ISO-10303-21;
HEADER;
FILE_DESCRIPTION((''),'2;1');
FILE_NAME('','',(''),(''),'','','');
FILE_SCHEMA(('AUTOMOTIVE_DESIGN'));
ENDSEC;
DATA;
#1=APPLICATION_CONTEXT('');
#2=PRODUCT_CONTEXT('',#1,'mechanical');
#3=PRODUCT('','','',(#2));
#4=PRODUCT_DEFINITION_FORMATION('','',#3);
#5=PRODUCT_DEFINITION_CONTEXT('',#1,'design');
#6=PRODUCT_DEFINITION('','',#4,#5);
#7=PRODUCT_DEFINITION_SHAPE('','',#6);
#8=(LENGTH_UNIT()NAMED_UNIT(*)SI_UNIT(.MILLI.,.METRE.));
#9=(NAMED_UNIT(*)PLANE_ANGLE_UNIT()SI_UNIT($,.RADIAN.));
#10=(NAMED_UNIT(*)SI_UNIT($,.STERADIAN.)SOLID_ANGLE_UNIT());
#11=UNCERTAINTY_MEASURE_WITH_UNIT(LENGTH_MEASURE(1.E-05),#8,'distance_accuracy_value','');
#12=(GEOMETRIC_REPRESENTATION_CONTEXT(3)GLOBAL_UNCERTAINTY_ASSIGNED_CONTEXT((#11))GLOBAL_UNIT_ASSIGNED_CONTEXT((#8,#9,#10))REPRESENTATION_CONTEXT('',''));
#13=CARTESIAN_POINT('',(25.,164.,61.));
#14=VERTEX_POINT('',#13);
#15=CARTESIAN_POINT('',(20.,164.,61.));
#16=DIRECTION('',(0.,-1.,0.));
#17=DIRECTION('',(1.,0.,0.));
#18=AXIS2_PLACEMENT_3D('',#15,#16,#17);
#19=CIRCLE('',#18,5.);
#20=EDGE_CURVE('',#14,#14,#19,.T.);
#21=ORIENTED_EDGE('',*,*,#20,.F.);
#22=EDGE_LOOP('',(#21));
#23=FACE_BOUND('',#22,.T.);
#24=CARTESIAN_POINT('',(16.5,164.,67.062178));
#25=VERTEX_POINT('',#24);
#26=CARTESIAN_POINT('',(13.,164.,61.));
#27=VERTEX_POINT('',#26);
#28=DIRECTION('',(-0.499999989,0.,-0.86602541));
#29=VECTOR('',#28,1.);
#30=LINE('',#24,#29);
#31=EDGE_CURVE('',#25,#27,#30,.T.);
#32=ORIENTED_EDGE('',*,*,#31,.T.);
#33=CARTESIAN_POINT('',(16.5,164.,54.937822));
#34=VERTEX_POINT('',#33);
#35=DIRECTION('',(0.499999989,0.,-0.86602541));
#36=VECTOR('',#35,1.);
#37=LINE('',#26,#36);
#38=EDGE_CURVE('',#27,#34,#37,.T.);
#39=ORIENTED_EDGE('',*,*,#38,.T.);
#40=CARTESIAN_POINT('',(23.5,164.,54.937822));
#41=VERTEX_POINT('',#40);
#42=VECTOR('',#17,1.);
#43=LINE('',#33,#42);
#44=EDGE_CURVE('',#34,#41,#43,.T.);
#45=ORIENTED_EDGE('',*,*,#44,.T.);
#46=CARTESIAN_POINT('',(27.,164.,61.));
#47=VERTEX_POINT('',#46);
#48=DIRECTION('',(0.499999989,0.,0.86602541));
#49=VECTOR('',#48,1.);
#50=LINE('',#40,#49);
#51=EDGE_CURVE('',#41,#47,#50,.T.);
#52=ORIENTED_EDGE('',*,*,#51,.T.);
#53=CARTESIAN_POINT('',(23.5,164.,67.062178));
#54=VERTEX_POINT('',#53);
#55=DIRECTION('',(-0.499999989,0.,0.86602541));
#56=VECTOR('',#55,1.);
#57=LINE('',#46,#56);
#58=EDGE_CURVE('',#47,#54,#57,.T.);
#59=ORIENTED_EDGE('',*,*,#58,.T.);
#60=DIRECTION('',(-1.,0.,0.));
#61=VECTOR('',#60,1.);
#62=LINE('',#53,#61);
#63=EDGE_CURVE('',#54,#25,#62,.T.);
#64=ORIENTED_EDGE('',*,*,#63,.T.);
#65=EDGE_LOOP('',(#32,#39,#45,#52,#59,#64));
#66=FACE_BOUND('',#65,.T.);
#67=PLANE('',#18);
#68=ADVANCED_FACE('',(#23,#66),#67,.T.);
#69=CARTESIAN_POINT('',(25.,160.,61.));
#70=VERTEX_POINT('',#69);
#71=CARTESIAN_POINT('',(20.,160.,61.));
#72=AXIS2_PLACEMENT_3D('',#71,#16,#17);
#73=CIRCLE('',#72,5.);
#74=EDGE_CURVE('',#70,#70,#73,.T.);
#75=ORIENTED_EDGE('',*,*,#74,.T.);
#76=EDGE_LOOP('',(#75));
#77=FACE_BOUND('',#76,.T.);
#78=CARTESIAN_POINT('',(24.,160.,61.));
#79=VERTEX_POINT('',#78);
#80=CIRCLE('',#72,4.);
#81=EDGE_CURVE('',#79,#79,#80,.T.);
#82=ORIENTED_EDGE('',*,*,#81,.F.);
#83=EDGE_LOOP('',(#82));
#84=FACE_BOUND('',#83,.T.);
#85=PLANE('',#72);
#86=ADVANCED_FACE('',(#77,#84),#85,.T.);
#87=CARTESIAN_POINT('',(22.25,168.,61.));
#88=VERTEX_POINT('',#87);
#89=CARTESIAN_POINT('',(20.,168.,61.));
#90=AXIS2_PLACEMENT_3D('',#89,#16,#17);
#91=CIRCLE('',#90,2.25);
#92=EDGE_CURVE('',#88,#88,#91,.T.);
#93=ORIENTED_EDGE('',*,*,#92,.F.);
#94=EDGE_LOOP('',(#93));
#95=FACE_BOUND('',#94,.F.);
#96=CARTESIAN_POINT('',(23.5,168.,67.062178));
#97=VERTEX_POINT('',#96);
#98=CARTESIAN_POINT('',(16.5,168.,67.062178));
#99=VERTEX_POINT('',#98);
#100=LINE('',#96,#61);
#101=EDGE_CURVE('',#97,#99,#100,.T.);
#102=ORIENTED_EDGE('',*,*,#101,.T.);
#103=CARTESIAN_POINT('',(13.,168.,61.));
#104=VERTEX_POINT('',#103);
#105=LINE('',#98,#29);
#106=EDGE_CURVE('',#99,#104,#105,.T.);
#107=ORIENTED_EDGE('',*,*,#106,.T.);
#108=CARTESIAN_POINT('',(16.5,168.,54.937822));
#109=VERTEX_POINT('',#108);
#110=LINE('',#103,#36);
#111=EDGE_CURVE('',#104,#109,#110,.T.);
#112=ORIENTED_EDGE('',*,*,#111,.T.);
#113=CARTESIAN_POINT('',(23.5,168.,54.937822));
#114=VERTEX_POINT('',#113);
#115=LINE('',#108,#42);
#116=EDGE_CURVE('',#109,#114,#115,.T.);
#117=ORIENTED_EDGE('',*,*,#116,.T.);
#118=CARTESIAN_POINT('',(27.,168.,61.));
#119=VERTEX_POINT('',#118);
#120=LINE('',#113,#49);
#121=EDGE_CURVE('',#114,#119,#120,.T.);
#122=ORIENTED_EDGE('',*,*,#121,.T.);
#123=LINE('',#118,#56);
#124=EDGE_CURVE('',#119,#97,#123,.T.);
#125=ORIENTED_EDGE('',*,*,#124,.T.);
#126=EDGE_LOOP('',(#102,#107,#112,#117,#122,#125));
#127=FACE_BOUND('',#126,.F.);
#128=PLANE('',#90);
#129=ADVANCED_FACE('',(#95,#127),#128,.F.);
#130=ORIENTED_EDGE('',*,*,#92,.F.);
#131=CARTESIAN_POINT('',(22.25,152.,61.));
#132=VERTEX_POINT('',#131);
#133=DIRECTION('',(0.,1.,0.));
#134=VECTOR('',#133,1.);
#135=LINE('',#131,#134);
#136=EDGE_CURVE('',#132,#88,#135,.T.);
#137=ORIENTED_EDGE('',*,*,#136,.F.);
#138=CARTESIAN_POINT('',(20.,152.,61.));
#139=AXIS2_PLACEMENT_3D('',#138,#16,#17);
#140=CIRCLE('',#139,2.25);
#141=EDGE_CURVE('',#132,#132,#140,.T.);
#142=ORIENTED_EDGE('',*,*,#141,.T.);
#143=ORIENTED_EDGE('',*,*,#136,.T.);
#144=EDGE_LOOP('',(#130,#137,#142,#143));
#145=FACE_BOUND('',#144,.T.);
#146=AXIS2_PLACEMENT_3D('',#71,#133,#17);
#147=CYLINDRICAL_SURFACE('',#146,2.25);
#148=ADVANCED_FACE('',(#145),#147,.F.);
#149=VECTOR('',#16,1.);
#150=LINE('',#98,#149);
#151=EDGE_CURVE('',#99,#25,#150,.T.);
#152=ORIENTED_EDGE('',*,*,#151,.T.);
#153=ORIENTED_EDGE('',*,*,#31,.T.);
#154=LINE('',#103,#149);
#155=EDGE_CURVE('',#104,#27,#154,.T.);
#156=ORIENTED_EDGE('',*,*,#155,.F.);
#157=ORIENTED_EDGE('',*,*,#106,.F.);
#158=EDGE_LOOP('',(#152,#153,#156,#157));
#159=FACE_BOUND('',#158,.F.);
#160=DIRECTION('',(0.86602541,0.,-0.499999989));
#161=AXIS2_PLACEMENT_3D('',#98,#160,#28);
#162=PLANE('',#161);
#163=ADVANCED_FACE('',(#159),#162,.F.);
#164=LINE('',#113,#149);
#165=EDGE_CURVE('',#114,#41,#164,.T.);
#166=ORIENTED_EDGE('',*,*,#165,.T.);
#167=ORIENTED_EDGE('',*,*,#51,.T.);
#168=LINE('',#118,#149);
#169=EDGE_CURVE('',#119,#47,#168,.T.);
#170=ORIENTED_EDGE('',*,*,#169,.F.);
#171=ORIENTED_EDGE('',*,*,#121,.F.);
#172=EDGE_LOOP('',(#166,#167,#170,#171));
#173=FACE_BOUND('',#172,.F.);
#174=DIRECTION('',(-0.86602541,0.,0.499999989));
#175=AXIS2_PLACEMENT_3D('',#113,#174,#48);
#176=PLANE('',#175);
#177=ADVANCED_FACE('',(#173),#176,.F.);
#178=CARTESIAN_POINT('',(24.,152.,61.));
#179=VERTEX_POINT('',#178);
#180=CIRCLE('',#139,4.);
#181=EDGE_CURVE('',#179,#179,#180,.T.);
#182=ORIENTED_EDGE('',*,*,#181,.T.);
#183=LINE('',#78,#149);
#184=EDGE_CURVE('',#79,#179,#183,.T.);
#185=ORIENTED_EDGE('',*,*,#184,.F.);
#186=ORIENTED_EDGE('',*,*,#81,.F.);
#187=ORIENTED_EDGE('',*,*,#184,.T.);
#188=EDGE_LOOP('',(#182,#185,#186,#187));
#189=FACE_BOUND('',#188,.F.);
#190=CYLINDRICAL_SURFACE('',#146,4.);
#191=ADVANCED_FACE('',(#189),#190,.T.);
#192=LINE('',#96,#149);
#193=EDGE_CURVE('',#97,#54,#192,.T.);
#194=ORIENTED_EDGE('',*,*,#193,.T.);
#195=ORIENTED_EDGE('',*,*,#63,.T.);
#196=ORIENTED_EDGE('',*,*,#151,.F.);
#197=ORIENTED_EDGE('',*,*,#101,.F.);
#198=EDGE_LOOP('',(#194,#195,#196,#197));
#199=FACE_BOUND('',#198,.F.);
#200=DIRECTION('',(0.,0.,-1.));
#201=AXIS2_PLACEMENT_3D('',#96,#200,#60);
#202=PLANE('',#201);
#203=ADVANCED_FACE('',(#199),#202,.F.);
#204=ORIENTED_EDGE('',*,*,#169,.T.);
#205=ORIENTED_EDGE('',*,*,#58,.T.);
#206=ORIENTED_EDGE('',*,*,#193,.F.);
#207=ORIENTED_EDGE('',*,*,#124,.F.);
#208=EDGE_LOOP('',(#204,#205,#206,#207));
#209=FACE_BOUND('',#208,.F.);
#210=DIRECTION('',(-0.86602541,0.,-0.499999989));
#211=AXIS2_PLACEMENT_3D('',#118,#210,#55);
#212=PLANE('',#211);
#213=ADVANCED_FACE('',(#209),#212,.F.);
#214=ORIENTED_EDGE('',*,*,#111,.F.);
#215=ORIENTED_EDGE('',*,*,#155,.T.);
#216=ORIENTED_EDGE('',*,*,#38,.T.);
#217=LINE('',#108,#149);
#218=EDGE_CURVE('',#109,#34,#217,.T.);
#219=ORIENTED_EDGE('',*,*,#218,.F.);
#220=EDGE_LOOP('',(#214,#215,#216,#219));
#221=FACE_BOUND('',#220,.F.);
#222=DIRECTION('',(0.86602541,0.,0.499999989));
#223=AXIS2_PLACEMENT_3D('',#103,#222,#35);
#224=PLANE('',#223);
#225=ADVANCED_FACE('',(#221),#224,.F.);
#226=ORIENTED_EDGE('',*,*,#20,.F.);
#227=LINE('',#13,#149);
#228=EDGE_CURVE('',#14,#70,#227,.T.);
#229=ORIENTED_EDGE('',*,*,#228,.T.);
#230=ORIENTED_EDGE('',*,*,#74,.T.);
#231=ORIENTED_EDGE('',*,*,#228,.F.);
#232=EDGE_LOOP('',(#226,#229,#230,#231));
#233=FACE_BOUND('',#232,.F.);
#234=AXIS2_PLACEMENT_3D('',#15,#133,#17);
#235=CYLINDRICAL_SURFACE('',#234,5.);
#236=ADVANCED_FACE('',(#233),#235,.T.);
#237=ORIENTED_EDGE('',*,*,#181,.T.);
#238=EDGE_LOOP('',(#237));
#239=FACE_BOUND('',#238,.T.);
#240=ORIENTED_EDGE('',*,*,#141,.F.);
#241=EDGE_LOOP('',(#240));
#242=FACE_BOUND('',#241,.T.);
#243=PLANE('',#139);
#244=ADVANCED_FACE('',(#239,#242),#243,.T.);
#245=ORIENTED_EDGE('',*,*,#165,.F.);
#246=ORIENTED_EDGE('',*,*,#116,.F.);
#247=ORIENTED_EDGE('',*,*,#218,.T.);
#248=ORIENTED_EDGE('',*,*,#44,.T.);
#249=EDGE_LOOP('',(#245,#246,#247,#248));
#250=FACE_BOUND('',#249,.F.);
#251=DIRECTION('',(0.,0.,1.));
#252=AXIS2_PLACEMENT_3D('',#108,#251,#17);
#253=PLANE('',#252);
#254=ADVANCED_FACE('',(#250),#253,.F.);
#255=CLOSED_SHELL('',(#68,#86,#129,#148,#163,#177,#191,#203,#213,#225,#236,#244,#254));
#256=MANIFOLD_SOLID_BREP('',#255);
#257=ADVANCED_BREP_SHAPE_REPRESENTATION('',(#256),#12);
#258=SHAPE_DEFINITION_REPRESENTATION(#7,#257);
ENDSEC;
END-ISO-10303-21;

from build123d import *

# Parameters (mm, degrees)
SKETCH_R      = 2.25
PAD_DEPTH     = 4
SKETCH001_R   = 5
SKETCH001_R_2 = 2.25
PAD001_DEPTH  = 4
SKETCH004_R   = 4
SKETCH004_R_2 = 2.25
PAD004_DEPTH  = 8


with BuildPart() as part:
    # Sketch → Pad (new body)
    with BuildSketch(Plane.XZ):
        Polygon((7, 0), (3.5, 6.062178), (-3.5, 6.062178), (-7, 0), (-3.5, -6.062178), (3.5, -6.062178), align=None)
        Circle(SKETCH_R, mode=Mode.SUBTRACT)
    extrude(amount=PAD_DEPTH)

    # Sketch001 (on Face9 of Pad) → Pad001 (join)
    with BuildSketch(Plane.XZ.offset(4)):
        Circle(SKETCH001_R)
        Circle(SKETCH001_R_2, mode=Mode.SUBTRACT)
    extrude(amount=PAD001_DEPTH)

    # Sketch004 (on Face12 of Pad001) → Pad004 (join)
    with BuildSketch(Plane.XZ.offset(8)):
        Circle(SKETCH004_R)
        Circle(SKETCH004_R_2, mode=Mode.SUBTRACT)
    extrude(amount=PAD004_DEPTH)


with BuildPart() as part_1:
    # Body placement: moved
    add(part.part.moved(Location((20, 168, 61))))


solid = part_1.part
